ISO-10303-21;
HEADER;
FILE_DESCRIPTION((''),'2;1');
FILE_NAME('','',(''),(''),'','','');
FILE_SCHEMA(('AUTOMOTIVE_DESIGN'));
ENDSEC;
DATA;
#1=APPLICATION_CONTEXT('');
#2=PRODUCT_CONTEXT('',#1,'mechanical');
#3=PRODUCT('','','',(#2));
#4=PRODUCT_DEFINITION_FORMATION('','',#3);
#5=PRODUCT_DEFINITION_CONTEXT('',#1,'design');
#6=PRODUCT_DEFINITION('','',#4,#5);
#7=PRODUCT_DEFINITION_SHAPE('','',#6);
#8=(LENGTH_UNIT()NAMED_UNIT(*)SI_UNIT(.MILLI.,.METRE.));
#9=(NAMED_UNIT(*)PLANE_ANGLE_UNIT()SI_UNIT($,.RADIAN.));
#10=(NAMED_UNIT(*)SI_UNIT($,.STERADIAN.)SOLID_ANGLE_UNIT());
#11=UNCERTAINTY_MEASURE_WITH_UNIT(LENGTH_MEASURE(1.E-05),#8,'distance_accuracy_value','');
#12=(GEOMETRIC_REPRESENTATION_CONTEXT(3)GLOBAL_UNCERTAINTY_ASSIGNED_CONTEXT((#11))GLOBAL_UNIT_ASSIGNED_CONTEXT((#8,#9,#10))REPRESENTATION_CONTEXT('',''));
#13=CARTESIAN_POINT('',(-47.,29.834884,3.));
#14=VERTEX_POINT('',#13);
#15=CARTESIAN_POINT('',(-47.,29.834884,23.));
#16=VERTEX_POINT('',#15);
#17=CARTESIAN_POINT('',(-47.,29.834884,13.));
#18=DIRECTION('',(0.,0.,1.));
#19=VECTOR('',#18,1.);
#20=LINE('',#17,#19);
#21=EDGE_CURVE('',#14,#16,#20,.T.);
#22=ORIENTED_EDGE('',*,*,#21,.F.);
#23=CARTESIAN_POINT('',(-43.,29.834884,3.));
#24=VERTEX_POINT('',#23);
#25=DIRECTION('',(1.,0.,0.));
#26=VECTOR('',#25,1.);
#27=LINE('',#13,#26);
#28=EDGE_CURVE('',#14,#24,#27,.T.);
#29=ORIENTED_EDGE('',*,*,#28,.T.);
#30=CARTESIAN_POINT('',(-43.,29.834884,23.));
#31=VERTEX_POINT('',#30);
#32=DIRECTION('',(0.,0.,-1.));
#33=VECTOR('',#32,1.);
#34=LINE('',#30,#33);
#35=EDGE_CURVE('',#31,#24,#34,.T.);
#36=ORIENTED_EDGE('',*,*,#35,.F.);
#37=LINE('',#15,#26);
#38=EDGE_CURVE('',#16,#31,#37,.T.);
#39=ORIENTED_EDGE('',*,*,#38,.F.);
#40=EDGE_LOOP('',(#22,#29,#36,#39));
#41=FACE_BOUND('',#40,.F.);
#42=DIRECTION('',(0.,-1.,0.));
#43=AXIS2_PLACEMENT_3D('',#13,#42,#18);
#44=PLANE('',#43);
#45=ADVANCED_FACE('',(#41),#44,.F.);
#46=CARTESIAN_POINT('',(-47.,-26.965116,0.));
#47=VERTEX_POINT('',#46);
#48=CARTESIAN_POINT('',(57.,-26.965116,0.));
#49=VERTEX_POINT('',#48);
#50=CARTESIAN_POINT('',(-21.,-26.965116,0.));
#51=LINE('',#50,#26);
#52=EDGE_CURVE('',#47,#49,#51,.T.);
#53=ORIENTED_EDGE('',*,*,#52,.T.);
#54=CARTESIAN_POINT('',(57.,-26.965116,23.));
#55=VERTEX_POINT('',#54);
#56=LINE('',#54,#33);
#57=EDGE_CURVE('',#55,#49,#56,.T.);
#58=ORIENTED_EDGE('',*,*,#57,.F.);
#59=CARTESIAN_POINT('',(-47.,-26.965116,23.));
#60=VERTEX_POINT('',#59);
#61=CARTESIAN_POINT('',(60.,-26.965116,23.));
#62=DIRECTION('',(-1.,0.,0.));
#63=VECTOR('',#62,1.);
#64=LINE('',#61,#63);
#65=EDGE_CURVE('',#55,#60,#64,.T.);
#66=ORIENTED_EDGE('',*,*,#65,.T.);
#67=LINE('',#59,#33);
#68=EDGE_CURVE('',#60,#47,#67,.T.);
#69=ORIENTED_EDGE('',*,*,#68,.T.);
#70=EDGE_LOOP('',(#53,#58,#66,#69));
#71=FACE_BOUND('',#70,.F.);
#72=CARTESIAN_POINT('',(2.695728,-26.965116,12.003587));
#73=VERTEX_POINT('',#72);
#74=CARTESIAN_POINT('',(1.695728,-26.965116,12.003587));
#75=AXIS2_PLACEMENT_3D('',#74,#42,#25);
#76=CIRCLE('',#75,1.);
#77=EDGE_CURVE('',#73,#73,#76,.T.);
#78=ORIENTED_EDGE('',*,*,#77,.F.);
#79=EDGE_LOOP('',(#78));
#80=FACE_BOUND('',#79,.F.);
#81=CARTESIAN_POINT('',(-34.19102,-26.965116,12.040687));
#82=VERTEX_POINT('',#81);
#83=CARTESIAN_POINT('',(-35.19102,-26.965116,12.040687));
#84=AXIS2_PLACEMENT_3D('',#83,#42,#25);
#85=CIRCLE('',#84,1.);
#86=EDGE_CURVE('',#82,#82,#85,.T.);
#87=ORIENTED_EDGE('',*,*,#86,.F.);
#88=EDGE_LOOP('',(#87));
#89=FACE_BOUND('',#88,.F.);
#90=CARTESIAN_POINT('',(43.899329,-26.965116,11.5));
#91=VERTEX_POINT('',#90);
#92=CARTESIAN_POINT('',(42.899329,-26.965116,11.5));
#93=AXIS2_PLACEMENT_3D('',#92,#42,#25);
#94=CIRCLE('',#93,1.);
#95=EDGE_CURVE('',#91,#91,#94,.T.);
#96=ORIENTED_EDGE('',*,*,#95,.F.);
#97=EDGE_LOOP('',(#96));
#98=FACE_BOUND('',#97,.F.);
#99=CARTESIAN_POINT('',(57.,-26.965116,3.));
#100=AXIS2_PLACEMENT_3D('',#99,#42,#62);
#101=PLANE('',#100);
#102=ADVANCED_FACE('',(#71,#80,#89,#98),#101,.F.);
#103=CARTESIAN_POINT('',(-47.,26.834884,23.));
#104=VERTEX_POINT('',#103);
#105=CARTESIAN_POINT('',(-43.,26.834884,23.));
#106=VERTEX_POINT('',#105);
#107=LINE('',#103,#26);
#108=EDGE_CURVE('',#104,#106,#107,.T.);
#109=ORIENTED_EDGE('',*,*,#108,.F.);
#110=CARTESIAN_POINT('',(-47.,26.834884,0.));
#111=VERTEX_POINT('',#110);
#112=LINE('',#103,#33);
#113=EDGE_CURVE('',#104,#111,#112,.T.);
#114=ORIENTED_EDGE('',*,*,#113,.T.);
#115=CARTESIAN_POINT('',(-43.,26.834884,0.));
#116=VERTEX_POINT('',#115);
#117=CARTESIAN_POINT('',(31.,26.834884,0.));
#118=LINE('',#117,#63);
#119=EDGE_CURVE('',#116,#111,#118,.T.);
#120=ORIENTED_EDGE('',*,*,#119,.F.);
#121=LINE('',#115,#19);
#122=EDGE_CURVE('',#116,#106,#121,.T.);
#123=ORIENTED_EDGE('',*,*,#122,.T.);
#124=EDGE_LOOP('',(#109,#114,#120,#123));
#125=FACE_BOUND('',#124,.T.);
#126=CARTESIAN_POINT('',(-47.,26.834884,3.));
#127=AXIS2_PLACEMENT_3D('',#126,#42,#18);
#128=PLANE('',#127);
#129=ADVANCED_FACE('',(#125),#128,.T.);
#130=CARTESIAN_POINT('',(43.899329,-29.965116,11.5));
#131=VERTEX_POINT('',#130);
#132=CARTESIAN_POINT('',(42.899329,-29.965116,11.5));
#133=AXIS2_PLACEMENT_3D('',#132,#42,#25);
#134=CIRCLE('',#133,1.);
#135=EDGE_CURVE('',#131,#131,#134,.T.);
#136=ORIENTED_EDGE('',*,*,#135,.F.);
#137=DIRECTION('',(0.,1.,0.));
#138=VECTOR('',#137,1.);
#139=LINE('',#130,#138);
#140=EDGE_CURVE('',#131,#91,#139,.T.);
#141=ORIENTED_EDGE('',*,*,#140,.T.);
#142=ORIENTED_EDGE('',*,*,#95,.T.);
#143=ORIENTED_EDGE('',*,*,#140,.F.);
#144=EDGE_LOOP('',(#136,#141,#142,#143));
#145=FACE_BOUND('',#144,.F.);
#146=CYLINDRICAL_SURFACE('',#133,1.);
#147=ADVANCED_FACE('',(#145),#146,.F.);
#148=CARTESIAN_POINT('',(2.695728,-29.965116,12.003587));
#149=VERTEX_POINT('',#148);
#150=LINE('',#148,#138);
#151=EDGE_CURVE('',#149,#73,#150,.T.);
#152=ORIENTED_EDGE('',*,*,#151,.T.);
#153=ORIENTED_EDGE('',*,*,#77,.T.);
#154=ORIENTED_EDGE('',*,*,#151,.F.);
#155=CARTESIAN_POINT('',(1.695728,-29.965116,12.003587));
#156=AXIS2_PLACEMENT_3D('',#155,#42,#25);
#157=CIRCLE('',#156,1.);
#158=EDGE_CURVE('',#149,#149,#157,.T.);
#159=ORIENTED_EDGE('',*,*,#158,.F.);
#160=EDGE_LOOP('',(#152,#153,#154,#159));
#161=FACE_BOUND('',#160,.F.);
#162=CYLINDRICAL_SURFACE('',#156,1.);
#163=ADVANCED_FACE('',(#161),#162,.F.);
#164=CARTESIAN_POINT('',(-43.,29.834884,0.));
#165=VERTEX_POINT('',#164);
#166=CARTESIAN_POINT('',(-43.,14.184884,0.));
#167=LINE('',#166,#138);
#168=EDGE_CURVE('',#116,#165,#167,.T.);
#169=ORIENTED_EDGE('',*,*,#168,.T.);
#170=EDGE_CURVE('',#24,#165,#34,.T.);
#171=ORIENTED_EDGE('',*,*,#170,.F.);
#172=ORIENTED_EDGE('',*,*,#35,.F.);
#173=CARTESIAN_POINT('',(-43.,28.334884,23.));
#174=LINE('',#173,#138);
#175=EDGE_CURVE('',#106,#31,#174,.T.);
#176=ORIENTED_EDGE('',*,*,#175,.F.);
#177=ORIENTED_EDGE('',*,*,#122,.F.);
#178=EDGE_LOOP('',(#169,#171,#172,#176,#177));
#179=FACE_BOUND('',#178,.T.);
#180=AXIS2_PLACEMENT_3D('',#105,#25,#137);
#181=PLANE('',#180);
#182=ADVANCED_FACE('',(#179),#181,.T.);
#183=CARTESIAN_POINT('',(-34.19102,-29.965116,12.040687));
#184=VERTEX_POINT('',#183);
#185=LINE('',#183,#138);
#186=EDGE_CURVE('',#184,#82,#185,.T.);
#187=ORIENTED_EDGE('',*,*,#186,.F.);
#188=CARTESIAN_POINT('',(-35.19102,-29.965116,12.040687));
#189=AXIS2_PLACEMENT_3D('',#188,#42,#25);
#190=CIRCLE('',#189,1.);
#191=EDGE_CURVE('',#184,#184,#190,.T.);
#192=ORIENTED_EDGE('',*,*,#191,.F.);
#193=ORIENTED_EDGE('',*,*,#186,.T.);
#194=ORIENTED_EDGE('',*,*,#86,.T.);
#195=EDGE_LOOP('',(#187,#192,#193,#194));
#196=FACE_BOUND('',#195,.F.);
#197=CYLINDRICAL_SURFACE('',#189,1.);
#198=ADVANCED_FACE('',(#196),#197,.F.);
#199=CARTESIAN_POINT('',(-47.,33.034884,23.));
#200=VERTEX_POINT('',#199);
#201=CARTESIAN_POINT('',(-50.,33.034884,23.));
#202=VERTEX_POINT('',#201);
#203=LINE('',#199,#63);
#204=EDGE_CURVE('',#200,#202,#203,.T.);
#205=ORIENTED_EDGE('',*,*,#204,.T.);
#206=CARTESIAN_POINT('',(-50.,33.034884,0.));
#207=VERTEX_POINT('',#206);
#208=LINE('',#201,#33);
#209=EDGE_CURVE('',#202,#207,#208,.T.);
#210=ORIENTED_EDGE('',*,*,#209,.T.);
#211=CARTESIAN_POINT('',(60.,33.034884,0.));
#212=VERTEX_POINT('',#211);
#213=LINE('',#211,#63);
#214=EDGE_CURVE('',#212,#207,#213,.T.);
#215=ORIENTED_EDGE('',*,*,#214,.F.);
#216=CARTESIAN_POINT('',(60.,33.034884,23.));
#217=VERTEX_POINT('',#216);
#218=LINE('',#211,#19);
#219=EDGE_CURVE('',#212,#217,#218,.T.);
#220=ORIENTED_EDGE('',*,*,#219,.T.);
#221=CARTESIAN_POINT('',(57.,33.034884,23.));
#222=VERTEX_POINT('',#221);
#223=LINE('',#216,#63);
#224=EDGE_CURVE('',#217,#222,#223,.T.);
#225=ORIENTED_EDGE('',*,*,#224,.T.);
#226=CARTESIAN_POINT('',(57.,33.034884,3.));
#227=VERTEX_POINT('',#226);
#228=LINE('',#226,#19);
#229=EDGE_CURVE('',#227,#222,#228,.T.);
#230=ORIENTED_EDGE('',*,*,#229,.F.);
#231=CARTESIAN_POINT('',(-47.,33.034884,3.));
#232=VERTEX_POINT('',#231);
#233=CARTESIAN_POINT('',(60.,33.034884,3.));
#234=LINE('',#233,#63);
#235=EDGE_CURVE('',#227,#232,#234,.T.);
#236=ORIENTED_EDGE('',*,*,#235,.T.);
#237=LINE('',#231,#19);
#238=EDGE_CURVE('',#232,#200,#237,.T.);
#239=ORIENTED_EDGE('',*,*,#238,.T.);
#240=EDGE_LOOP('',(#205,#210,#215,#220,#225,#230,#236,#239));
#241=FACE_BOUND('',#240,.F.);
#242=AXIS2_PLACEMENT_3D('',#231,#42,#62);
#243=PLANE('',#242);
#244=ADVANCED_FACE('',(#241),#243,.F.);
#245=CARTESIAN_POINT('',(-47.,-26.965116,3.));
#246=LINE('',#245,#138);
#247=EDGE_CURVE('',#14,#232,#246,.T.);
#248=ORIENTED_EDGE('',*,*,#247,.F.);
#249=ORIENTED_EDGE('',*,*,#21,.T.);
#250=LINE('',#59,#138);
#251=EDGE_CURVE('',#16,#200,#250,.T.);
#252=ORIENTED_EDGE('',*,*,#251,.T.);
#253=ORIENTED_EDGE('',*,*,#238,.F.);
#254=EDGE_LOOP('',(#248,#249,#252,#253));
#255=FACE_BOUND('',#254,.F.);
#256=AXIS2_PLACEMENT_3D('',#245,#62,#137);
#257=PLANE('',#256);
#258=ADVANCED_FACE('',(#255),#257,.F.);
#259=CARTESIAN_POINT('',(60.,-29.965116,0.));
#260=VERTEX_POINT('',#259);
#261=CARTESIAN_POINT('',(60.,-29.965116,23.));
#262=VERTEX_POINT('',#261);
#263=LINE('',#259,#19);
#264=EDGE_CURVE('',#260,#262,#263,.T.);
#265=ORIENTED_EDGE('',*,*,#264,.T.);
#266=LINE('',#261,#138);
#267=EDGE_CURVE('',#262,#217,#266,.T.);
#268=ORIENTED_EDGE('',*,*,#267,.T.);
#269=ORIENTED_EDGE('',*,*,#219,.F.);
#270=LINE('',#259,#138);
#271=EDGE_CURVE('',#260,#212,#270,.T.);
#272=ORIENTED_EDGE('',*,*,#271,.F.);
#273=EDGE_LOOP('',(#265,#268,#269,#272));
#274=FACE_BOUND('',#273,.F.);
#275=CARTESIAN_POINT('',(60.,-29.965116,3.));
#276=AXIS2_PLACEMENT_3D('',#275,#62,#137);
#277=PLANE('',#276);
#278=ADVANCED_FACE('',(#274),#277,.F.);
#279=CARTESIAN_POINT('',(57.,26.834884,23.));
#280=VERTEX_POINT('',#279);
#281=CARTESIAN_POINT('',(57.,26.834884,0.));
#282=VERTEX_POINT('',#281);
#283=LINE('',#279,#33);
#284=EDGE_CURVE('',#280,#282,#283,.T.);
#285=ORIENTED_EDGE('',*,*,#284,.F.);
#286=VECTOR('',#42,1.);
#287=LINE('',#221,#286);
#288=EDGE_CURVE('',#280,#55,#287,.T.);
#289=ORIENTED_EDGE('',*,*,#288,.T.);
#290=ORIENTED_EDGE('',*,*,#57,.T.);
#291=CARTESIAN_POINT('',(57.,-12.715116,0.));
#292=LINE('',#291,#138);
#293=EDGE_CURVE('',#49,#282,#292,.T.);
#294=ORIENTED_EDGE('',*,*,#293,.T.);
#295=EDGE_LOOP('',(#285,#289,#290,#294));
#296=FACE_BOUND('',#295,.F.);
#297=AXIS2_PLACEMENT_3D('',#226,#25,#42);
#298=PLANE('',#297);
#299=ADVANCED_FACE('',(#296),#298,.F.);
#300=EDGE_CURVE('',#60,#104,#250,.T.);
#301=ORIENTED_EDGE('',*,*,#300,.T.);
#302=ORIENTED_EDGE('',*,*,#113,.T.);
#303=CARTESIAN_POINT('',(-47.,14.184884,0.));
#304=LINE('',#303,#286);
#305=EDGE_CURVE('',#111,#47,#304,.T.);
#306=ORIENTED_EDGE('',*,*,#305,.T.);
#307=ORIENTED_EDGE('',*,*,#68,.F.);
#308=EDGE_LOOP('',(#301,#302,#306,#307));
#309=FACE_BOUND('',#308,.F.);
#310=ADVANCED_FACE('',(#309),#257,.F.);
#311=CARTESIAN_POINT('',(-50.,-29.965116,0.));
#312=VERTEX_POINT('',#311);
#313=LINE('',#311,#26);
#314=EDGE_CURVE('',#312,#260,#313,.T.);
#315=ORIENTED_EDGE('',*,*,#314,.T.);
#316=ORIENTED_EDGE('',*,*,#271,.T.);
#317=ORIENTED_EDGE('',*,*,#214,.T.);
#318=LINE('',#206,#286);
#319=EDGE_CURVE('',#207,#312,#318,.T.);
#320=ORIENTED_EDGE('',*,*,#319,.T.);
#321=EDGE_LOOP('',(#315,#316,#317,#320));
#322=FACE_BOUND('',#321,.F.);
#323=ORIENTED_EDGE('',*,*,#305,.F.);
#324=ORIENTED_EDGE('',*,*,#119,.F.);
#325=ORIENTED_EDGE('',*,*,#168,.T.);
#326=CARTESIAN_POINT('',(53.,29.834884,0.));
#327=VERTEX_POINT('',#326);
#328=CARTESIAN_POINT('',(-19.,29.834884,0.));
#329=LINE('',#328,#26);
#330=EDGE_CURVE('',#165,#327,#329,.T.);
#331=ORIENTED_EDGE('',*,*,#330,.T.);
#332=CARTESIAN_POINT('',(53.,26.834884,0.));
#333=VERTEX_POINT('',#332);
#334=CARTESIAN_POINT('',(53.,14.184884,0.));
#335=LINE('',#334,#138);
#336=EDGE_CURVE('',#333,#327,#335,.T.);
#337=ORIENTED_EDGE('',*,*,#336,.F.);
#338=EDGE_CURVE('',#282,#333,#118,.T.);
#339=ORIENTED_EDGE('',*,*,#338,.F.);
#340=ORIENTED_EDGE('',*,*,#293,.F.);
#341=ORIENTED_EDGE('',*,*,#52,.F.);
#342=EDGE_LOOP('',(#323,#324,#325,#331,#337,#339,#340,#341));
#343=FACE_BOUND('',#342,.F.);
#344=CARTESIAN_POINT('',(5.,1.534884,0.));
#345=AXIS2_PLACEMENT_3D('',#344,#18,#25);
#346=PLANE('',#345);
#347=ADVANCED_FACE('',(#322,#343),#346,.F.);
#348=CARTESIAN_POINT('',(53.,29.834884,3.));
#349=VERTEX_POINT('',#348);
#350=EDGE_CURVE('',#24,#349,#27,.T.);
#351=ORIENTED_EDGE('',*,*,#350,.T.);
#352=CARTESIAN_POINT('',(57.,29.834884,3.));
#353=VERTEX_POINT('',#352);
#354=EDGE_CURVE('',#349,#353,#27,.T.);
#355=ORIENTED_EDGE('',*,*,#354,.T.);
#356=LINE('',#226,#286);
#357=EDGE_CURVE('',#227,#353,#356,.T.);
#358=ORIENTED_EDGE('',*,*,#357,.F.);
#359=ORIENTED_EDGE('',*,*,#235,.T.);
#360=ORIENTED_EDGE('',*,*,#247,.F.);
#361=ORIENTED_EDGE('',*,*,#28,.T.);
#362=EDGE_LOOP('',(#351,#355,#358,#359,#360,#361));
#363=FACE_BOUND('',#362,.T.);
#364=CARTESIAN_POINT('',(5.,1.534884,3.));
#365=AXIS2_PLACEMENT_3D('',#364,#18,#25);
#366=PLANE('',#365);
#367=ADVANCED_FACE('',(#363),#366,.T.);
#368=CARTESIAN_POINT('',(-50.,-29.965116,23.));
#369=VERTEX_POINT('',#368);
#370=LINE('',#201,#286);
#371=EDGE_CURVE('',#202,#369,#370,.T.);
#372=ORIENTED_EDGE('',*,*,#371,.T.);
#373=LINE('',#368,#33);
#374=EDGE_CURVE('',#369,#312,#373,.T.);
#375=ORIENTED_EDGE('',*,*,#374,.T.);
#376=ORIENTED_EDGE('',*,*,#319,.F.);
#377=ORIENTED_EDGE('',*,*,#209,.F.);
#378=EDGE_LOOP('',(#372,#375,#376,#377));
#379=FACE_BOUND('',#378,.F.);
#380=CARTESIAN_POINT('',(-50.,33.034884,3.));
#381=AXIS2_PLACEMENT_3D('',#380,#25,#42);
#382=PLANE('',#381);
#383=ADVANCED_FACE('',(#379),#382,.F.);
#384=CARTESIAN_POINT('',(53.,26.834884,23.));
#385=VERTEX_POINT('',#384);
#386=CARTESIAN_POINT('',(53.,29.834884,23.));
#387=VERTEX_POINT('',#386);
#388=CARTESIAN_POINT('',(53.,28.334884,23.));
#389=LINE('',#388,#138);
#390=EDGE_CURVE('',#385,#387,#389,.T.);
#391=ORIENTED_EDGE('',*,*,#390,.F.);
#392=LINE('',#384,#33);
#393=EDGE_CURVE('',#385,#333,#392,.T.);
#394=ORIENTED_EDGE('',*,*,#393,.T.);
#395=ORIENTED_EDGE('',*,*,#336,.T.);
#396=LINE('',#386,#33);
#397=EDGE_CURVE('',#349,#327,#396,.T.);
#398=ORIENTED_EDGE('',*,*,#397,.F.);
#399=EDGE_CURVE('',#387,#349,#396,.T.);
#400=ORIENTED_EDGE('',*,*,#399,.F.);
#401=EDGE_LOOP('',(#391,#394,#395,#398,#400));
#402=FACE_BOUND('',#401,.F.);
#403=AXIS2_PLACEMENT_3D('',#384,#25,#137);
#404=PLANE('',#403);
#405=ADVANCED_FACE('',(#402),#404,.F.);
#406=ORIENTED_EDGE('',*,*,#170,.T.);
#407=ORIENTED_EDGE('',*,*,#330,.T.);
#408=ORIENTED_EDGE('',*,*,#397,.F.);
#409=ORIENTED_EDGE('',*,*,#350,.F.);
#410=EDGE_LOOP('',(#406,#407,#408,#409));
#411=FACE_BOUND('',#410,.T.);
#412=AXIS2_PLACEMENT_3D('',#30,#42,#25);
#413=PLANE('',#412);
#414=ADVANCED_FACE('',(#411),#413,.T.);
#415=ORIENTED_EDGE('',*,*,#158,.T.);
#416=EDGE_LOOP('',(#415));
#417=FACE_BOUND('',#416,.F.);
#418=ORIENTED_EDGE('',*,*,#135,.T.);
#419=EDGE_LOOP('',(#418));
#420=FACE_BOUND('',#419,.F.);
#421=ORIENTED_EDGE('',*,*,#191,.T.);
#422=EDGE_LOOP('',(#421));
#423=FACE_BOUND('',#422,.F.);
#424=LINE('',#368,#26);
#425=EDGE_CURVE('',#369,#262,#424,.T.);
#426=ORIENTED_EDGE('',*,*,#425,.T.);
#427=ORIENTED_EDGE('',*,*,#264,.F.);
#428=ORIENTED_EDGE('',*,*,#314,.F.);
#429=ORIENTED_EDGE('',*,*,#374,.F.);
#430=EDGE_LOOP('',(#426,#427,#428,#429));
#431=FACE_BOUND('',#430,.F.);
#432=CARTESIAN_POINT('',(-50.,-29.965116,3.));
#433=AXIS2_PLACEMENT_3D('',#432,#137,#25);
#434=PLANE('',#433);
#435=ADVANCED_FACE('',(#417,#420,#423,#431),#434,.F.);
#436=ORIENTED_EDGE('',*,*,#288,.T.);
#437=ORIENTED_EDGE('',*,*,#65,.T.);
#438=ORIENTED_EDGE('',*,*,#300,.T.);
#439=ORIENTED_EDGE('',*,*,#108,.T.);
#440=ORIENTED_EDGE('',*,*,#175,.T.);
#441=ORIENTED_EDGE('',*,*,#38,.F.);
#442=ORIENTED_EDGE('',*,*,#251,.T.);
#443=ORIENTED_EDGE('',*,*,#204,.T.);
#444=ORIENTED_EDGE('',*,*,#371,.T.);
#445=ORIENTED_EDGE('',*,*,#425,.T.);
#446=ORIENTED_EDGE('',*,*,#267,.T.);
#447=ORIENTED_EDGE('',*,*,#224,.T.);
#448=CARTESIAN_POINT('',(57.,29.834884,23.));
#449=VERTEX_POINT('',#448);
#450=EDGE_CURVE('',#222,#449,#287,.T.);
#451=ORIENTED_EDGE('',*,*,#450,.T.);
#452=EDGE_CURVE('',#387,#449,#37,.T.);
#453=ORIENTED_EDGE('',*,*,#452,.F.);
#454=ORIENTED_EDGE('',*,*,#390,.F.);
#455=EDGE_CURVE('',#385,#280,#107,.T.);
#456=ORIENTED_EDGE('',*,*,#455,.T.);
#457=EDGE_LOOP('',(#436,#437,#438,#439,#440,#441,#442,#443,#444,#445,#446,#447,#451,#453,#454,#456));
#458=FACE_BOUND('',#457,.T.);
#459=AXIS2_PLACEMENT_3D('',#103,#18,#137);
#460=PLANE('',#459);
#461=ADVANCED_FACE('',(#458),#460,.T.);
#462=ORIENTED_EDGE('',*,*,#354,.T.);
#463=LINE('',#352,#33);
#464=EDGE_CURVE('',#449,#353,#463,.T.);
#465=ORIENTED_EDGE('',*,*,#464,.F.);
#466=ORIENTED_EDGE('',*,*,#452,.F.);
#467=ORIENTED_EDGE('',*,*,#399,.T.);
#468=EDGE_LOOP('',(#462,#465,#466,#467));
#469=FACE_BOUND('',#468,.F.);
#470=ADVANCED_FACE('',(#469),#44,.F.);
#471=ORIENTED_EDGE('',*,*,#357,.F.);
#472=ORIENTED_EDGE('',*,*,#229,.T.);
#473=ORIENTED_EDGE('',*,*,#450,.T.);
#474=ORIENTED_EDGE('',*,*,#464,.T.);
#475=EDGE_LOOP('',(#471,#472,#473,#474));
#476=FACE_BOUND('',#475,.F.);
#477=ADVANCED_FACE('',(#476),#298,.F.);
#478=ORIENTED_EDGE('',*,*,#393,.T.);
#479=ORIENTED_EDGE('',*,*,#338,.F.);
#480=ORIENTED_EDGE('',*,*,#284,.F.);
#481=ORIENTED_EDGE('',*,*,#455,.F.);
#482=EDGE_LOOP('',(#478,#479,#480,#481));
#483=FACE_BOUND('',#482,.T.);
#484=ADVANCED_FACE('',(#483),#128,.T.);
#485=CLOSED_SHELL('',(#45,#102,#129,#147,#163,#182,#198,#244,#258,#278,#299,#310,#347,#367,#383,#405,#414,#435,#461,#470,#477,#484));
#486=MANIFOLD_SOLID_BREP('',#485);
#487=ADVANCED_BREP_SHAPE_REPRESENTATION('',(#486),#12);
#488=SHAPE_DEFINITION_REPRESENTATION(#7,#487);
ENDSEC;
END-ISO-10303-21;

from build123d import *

# Parameters (mm, degrees)
F0_R      = 8
F1_DEPTH  = 3
F2_W      = 3
F2_H      = 3
F2_W_2    = 104
F3_DEPTH  = 20
F4_W      = 3
F4_H      = 20
F5_DEPTH  = 104.4
F6_W      = 96
F6_H      = 3
F7_DEPTH  = 40
F8_R      = 1.5
F9_DEPTH  = 3
F10_R     = 8
F12_DEPTH = 40
F13_R     = 1
F14_DEPTH = 3


with BuildPart() as f1:
    # F0 (on Top) → F1 (new body)
    with BuildSketch(Plane.XY):
        Polygon((-40, 33.034884), (-50, 33.034884), (-50, 18.034884), (-50, 0.034884), (-50, -2.965116), (-50, -17.965116), (-50, -29.965116), (60, -29.965116), (60, -24.965116), (60, -14.965116), (60, -9.965116), (60, -4.965116), (60, 0.034884), (60, 18.034884), (60, 33.034884), (40, 33.034884), (20, 33.034884), (0, 33.034884), (-20, 33.034884), align=None)
        with Locations((25, -0.468963)):
            Circle(F0_R, mode=Mode.SUBTRACT)
        with Locations((-15, 1.034884)):
            Circle(F0_R, mode=Mode.SUBTRACT)
    extrude(amount=F1_DEPTH)

    # F2 (on face) → F3 (join)
    with BuildSketch(Plane.XY.offset(3)):
        with Locations((-48.5, -28.465116)):
            Rectangle(F2_W, F2_H)
        with Locations((5, -28.465116)):
            Rectangle(F2_W_2, F2_H)
        Polygon((-50, 30.034884), (-50, -26.965116), (-47, -26.965116), (-47, 33.034884), (-50, 33.034884), align=None)
        with Locations((58.5, -28.465116)):
            Rectangle(F2_W, F2_H)
        Polygon((57, 33.034884), (57, -26.965116), (60, -26.965116), (60, 30.034884), (60, 33.034884), align=None)
    extrude(amount=F3_DEPTH)

    # F4 (on face) → F5 (join)
    with BuildSketch(Plane.YZ.offset(-47)):
        with Locations((28.334884, 13)):
            Rectangle(F4_W, F4_H)
    extrude(amount=F5_DEPTH)

    # F6 (on face) → F7 (cut)
    with BuildSketch(Plane.XY.offset(23)):
        with Locations((5, 28.334884)):
            Rectangle(F6_W, F6_H)
    extrude(amount=-F7_DEPTH, mode=Mode.SUBTRACT)

    # F8 (on face) → F9 (cut)
    with BuildSketch(Plane(origin=(0, -26.965116, 0), x_dir=(-1, 0, 0), z_dir=(0, 1, 0))):
        with Locations((17, 26.988985)):
            Circle(F8_R)
        with Locations((-27, 26.988985)):
            Circle(F8_R)
        with Locations((-20, 26.988985)):
            Circle(F8_R)
    extrude(amount=-F9_DEPTH, mode=Mode.SUBTRACT)

    # F10 (on face) → F12 (cut)
    with BuildSketch(Plane.XY.offset(3)):
        Polygon((53, 26.834884), (-43, 26.834884), (-47, 26.834884), (-47, -26.965116), (57, -26.965116), (57, 26.834884), align=None)
        with Locations((25, -0.468963)):
            Circle(F10_R, mode=Mode.SUBTRACT)
        with Locations((-15, 1.034884)):
            Circle(F10_R, mode=Mode.SUBTRACT)
    extrude(amount=-F12_DEPTH, mode=Mode.SUBTRACT)

    # F13 (on face) → F14 (cut)
    with BuildSketch(Plane.XZ.offset(29.965116)):
        with Locations((-35.19102, 12.040687)):
            Circle(F13_R)
        with Locations((1.695728, 12.003587)):
            Circle(F13_R)
        with Locations((42.899329, 11.5)):
            Circle(F13_R)
    extrude(amount=-F14_DEPTH, mode=Mode.SUBTRACT)


solid = f1.part
